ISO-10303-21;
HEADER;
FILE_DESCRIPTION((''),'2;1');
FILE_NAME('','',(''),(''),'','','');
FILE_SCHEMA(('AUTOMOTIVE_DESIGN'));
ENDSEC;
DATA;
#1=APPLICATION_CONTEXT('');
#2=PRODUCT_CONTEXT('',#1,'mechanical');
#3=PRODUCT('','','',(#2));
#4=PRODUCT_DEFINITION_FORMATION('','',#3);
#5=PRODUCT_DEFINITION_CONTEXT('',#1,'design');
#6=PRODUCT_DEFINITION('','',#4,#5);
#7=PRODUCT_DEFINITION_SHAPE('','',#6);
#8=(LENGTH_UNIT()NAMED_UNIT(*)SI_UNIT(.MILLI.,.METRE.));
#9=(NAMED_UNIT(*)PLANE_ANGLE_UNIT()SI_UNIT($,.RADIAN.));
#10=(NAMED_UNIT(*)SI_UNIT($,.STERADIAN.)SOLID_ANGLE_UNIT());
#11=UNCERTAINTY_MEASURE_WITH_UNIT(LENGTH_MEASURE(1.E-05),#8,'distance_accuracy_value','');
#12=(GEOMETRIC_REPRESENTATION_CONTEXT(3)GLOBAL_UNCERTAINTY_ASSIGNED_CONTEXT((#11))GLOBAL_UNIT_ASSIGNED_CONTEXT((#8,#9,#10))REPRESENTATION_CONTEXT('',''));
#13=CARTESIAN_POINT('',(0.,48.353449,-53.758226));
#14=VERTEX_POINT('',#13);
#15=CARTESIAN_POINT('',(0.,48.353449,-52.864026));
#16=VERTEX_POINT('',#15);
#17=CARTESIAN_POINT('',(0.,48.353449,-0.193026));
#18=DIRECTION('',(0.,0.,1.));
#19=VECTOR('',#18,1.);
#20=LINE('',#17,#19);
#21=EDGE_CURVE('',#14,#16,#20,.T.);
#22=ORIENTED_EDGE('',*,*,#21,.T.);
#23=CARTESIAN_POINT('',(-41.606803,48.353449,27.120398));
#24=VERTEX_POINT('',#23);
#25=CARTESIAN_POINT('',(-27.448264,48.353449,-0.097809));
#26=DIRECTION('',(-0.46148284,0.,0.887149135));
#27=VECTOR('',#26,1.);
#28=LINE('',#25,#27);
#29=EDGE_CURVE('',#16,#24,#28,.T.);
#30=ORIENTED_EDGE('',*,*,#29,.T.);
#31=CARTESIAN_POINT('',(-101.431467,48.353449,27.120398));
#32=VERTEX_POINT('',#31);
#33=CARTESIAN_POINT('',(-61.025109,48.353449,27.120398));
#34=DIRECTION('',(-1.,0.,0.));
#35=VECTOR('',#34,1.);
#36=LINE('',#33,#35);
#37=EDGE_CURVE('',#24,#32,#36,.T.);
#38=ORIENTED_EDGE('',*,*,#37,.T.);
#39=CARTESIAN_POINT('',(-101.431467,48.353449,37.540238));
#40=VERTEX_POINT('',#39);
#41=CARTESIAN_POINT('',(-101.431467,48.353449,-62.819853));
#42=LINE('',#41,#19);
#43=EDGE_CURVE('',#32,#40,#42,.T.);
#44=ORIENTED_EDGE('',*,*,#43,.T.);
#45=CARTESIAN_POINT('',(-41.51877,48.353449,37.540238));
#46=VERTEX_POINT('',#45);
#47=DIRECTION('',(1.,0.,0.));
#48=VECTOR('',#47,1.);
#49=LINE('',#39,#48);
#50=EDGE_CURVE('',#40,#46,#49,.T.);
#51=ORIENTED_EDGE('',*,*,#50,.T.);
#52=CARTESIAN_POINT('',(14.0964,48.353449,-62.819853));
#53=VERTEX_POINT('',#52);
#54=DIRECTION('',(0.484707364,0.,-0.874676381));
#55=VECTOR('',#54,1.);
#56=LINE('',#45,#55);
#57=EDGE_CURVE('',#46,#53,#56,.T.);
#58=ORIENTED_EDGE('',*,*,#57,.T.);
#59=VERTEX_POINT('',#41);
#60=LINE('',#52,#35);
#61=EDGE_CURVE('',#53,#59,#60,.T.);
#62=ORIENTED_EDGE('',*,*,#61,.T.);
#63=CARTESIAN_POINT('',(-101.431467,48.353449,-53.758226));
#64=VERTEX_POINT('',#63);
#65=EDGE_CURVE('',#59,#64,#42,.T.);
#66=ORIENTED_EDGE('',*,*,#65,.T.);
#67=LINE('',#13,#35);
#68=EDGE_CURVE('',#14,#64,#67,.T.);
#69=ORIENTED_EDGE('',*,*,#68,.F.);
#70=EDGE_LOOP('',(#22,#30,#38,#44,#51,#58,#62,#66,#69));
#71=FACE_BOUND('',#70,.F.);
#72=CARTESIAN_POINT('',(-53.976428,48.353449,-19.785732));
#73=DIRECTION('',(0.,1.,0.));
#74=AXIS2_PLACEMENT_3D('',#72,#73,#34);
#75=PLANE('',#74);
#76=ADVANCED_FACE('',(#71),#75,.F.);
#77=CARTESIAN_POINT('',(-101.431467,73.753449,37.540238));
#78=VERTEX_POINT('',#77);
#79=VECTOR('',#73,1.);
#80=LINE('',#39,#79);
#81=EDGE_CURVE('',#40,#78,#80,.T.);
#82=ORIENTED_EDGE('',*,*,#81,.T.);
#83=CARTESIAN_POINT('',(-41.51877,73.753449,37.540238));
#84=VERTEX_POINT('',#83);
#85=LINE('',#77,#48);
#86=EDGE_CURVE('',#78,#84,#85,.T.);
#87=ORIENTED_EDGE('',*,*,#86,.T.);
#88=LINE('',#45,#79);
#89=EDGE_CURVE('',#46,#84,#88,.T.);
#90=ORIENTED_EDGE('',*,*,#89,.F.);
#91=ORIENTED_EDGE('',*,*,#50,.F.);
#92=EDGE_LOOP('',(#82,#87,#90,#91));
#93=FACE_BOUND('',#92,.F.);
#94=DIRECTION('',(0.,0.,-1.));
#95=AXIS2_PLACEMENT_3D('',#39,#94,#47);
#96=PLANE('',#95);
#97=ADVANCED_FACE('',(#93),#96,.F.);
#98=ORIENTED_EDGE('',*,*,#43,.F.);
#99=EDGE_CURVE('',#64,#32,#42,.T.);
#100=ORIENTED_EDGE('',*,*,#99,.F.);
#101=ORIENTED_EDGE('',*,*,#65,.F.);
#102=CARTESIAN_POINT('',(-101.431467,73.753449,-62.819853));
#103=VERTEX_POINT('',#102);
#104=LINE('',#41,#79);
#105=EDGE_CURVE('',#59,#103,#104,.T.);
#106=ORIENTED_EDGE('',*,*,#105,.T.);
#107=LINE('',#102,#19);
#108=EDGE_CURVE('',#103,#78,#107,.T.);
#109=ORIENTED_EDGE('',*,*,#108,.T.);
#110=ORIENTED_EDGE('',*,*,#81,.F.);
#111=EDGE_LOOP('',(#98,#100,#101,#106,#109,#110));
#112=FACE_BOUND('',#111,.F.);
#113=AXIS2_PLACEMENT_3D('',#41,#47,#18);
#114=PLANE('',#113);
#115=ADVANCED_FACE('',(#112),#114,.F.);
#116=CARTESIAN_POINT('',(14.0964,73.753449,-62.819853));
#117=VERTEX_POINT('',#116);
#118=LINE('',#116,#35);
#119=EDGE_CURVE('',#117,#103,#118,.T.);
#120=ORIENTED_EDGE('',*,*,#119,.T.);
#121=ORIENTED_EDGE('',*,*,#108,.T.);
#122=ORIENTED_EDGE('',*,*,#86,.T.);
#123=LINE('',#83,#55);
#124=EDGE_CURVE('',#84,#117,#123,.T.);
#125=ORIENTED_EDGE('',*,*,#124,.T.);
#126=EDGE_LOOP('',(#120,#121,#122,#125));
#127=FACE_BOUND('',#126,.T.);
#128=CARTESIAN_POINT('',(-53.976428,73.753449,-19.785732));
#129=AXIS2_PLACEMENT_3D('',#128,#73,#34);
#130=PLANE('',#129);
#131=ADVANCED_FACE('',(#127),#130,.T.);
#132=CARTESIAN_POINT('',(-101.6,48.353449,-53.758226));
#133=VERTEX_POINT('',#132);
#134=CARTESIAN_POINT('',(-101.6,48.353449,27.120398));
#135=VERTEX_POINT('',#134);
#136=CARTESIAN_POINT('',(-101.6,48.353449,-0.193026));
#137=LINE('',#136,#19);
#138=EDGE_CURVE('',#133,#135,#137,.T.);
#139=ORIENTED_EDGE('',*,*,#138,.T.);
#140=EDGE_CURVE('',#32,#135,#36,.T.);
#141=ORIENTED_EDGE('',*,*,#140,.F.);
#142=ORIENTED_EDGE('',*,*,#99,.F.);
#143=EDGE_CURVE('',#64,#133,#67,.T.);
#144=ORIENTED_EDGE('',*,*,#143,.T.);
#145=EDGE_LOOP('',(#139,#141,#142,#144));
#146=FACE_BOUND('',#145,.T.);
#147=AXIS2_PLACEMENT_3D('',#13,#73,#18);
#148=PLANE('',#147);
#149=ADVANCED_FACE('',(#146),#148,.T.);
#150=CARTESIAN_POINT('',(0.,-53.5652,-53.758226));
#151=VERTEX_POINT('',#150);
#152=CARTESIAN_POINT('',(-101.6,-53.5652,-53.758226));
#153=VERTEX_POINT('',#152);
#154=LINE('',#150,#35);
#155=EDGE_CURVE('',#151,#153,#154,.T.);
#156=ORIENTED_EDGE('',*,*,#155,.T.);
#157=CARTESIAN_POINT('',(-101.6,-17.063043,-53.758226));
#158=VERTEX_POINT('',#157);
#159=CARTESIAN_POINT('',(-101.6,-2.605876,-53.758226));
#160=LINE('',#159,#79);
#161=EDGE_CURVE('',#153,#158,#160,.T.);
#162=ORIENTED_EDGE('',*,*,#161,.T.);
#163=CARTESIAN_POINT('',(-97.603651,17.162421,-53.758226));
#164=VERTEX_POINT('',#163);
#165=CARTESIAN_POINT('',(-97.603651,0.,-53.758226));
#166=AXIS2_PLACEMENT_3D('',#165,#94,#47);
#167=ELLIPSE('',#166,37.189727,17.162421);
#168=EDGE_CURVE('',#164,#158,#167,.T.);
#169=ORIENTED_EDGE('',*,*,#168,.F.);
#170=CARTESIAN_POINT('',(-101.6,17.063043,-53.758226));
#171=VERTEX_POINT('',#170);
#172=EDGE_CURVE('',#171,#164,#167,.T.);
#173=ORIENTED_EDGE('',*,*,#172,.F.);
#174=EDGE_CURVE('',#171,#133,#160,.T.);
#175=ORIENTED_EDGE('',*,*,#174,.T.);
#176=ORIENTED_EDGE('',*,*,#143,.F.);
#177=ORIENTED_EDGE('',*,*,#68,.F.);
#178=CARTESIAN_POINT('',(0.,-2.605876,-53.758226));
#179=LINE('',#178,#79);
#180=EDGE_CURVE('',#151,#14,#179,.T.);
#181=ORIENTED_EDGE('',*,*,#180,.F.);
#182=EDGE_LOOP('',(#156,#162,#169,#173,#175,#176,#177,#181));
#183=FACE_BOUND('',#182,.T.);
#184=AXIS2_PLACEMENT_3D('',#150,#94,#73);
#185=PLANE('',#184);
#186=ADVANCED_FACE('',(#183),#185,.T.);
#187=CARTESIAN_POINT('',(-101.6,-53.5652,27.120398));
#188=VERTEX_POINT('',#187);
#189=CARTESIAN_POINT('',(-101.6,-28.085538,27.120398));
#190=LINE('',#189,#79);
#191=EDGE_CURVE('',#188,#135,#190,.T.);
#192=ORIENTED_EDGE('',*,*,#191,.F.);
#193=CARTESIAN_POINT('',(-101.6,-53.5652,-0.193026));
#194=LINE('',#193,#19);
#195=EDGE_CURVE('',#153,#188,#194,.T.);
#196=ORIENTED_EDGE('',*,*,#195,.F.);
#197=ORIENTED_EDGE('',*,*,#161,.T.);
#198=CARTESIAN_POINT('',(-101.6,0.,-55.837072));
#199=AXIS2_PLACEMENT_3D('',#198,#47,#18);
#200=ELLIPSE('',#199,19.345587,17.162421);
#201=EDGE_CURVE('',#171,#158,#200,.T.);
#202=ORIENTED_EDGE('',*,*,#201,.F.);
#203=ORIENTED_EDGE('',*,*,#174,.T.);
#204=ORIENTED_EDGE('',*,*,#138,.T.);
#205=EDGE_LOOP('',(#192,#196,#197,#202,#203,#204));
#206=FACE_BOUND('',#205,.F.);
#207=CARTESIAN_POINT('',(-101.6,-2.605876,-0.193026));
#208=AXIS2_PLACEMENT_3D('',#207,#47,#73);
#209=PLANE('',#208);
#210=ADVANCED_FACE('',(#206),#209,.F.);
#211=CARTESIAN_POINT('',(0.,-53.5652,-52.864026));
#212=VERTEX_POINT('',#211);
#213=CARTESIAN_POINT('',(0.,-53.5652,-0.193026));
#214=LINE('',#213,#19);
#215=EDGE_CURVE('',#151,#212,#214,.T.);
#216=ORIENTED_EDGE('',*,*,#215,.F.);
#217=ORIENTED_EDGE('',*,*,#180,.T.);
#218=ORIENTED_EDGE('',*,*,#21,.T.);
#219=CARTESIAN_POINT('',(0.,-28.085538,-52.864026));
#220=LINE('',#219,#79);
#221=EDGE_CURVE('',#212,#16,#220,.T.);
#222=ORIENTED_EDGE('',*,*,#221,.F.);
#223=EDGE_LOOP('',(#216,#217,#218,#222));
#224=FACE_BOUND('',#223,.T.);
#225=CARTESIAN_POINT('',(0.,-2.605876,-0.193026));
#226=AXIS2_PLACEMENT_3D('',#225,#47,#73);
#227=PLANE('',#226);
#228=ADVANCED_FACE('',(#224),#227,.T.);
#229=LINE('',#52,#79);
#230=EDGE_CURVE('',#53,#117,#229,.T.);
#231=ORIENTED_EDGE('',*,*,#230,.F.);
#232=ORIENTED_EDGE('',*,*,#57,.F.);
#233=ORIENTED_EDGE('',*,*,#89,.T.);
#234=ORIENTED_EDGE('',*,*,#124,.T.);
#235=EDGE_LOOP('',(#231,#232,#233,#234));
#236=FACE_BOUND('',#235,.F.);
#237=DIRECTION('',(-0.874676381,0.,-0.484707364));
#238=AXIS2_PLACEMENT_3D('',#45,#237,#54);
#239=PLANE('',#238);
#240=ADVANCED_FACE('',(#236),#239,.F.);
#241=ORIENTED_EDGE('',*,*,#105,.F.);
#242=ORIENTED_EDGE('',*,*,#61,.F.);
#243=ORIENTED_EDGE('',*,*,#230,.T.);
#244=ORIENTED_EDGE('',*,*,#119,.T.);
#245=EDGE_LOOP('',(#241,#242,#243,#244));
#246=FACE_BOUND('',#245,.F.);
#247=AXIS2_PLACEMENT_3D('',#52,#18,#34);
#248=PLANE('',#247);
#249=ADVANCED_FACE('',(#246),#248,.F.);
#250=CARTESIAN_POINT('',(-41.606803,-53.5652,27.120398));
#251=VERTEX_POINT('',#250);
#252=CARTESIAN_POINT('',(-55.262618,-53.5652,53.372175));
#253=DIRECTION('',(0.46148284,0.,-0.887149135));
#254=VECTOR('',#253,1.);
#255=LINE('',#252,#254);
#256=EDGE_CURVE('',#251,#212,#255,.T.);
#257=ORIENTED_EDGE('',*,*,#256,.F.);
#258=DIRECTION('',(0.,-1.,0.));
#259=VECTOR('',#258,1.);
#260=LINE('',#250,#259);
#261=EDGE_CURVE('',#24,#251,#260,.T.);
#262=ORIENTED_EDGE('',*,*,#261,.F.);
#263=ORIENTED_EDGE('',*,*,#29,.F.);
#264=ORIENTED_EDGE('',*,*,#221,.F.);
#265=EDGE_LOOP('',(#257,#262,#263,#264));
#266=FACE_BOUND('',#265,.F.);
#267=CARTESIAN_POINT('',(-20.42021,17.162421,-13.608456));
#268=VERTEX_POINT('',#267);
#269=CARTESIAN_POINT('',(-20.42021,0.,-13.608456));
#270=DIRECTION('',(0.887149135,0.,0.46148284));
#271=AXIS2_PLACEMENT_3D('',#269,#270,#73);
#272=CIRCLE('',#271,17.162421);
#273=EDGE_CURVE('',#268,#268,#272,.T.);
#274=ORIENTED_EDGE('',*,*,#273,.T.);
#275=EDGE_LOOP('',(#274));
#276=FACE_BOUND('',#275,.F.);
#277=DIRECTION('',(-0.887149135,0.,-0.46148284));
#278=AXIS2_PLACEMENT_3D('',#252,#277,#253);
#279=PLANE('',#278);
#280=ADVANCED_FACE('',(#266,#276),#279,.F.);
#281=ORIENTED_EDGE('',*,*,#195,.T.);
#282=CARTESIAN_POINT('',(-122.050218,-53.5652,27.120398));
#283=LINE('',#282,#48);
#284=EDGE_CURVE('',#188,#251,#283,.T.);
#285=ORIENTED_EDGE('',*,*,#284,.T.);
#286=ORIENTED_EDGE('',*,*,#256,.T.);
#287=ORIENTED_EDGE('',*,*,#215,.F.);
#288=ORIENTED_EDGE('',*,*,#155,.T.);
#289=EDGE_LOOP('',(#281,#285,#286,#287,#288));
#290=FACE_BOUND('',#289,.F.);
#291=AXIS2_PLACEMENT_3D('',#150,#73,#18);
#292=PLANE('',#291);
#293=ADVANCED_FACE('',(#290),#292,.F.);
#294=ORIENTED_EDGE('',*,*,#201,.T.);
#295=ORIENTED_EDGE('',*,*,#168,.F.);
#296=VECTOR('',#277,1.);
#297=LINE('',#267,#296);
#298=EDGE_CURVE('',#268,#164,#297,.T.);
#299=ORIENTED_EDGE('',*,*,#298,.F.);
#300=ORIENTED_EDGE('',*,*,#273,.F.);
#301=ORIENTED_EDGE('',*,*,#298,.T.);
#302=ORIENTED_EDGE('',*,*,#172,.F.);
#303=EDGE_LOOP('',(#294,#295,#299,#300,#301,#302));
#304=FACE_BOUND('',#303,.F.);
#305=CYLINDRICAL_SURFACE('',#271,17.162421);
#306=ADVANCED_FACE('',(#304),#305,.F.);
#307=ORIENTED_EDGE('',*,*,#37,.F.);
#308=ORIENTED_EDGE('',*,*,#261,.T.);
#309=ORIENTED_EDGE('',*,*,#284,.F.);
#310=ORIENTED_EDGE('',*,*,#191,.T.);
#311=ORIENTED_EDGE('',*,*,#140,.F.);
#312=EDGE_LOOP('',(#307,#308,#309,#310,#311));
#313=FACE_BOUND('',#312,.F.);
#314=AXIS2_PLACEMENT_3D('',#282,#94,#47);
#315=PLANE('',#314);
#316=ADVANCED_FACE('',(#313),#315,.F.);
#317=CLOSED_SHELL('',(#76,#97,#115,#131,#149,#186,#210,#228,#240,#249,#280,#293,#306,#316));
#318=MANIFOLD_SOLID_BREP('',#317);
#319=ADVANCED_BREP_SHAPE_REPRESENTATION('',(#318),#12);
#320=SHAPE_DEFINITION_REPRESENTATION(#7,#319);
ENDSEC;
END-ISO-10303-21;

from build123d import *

# Parameters (mm, degrees)
F0_W      = 101.9186489284
F0_H      = 107.1304008365
F1_DEPTH  = 101.6
F3_DEPTH  = 101.9196489284
F5_DEPTH  = 101.9196489284
F6_R      = 17.1624207675
F7_DEPTH  = 90.5480102046
F10_DEPTH = 25.4


with BuildPart() as f1:
    # F0 (on Right) → F1 (new body)
    with BuildSketch(Plane.YZ):
        with Locations((-2.605875954, -0.1930259168)):
            Rectangle(F0_W, F0_H)
    extrude(amount=-F1_DEPTH)

    # F2 (on face) → F3 (cut, through all)
    with BuildSketch(Plane.XZ.offset(53.5652004182)):
        Polygon((13.0692059174, 68.6213597655), (-55.2626177669, 53.3721745014), (9.4016781077, -70.9377005696), align=None)
    extrude(amount=-F3_DEPTH, mode=Mode.SUBTRACT)

    # F4 (on face) → F5 (cut, through all)
    with BuildSketch(Plane.XZ.offset(53.5652004182)):
        Polygon((-121.2781071663, 53.3721745014), (-122.0502182841, 27.1203983575), (-16.0779859871, 27.1203983575), (-20.7106489688, 66.1120042205), align=None)
    extrude(amount=-F5_DEPTH, mode=Mode.SUBTRACT)

    # F6 (on face) → F7 (cut, through all)
    with BuildSketch(Plane(origin=(-21.6427491721, 0, -11.2582619458), x_dir=(0, 1, 0), z_dir=(0.8871491354, 0, 0.4614828399))):
        with Locations((0, -2.6491538156)):
            Circle(F6_R)
    extrude(amount=-F7_DEPTH, mode=Mode.SUBTRACT)

    # F9 (on face) → F10 (join)
    with BuildSketch(Plane(origin=(0, 48.3534485102, 0), x_dir=(-1, 0, 0), z_dir=(0, 1, 0))):
        Polygon((101.431466639, -54.2247891426), (101.431466639, 37.5402383506), (41.5187701583, 37.5402383506), (-14.0963997692, -62.819853425), (101.431466639, -62.819853425), align=None)
    extrude(amount=F10_DEPTH)


solid = f1.part
